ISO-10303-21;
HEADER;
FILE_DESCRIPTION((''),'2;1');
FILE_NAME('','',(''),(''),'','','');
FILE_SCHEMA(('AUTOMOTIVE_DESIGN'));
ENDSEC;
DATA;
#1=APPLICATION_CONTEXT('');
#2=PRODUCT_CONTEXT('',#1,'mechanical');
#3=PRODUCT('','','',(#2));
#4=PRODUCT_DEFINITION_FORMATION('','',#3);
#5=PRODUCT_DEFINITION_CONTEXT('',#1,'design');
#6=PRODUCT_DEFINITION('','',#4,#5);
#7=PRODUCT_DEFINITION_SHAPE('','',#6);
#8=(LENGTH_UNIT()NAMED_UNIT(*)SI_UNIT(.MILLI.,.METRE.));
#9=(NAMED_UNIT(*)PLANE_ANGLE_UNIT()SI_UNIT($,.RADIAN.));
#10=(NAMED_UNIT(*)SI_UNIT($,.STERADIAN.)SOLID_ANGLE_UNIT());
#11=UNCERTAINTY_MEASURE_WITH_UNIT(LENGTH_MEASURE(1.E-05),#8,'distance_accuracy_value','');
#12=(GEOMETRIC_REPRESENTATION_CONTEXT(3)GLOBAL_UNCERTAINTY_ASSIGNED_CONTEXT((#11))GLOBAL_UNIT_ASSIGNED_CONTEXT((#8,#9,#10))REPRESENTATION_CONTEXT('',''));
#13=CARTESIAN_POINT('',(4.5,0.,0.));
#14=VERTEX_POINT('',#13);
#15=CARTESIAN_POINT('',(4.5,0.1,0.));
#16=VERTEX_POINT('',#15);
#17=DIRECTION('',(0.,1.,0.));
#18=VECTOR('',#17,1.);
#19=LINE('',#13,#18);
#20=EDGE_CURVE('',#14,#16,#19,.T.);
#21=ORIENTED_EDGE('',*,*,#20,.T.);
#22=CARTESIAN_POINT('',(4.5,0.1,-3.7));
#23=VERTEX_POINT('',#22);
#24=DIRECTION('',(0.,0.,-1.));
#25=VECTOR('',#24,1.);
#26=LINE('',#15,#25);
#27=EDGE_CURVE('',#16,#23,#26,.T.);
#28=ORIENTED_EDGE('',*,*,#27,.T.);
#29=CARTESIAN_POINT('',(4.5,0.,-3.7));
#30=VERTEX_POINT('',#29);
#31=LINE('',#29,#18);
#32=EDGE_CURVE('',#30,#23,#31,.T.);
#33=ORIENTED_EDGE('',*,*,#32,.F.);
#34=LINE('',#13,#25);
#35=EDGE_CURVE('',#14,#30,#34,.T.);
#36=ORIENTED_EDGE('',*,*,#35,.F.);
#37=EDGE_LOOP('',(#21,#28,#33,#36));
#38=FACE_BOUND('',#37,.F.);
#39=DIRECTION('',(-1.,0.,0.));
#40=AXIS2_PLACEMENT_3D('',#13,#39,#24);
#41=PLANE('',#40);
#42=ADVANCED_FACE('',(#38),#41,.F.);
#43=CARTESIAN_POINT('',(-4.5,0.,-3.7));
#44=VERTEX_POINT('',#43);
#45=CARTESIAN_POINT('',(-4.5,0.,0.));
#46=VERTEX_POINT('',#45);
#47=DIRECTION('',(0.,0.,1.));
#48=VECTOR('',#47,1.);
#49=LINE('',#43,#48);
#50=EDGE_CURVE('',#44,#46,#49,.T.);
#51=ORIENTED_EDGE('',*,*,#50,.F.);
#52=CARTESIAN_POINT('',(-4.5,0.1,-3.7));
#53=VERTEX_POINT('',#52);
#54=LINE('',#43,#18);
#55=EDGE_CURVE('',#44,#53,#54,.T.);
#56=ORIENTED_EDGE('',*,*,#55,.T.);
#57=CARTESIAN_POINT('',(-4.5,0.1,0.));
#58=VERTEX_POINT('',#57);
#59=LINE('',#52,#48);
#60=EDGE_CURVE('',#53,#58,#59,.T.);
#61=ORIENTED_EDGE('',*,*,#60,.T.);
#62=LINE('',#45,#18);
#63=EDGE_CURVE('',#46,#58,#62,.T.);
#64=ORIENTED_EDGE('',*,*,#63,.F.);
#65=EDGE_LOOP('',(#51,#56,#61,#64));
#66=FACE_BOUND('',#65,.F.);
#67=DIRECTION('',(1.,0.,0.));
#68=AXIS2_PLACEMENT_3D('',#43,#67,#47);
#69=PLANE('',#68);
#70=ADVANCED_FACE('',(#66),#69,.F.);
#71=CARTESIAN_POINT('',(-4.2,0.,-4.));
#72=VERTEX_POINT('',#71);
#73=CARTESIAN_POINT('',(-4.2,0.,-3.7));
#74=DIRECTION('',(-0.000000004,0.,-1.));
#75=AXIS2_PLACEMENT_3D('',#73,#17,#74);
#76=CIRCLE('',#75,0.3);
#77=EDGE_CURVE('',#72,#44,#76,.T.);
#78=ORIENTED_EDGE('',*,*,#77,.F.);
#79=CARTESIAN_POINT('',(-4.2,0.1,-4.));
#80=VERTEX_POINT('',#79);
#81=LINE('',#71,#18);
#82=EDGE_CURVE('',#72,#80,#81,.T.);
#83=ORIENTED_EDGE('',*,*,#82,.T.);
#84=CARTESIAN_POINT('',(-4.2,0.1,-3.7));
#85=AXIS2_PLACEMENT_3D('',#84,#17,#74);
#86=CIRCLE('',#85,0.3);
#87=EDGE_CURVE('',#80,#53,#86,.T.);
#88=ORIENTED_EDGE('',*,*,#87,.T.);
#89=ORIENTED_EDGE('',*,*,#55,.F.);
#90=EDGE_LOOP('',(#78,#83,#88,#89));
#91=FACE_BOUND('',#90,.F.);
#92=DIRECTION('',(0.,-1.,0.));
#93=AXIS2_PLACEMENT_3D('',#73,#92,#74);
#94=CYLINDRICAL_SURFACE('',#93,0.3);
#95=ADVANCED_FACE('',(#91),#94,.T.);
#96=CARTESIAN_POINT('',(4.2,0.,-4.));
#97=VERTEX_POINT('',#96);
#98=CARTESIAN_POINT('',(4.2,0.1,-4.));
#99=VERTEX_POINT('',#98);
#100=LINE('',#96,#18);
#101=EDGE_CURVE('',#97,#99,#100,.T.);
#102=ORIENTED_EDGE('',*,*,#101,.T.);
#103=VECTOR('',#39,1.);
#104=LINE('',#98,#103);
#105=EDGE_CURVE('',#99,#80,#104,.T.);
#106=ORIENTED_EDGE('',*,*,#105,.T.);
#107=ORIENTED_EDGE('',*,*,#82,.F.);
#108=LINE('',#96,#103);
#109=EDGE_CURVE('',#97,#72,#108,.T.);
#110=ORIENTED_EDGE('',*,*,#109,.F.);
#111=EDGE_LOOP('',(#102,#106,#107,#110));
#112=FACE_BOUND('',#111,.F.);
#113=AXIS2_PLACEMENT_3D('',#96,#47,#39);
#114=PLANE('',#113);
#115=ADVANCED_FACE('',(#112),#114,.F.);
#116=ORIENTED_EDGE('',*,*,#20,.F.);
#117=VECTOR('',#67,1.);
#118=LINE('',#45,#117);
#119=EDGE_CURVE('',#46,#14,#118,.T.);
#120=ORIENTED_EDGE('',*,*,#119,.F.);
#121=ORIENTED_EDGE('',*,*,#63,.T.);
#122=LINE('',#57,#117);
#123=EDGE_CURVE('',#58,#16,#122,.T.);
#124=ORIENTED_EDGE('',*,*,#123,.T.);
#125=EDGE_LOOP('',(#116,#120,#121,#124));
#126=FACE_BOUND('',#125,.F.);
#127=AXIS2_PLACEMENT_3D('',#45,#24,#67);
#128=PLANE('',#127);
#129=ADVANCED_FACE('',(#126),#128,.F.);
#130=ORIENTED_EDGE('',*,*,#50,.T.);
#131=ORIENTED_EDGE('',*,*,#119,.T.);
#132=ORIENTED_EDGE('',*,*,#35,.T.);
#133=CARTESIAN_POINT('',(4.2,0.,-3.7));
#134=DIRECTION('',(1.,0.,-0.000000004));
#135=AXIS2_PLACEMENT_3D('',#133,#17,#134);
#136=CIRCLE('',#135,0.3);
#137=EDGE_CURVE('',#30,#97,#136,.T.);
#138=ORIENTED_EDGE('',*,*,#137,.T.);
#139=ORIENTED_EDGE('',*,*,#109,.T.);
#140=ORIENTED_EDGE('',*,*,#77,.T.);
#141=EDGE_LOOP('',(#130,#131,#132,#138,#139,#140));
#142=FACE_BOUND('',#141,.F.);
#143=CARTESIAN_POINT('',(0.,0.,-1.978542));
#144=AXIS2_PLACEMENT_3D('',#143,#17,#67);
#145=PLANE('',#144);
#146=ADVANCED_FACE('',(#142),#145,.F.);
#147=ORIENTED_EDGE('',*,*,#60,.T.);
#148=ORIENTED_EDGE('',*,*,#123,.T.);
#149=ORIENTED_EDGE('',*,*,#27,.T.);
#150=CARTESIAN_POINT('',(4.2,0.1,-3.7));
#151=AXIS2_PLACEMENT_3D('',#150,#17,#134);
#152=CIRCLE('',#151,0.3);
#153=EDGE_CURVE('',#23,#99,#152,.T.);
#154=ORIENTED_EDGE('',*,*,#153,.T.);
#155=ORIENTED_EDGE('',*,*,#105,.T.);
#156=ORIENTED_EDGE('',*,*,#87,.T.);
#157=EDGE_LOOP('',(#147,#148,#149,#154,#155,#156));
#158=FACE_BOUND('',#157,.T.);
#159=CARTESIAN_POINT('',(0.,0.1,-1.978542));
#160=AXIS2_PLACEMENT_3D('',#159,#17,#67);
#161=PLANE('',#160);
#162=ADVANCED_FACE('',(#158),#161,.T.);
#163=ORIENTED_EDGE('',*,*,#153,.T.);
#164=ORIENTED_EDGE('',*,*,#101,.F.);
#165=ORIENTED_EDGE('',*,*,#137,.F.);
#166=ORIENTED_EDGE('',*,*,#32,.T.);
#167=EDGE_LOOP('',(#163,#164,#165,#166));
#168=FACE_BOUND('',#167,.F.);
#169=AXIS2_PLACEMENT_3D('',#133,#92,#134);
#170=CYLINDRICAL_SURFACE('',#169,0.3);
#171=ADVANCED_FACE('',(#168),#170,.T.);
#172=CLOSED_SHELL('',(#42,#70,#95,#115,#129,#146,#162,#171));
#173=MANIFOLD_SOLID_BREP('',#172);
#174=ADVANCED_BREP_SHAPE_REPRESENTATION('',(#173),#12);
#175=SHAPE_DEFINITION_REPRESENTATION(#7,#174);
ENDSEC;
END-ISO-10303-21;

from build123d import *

# Parameters (mm, degrees)
BOSS_EXTRUDE1_DEPTH = 0.1


with BuildPart() as part:
    # Sketch1 → Boss-Extrude1 (new body)
    with BuildSketch(Plane(origin=(0, 0, 0), x_dir=(1, 0, 0), z_dir=(0, 1, 0))):
        with BuildLine():
            Line((0, 0), (4.5, 0))
            Line((4.5, 0), (4.5, 3.7))
            ThreePointArc((4.5, 3.7), (4.412132034, 3.912132034), (4.2, 4))
            Line((4.2, 4), (-4.2, 4))
            ThreePointArc((-4.2, 4), (-4.412132034, 3.912132034), (-4.5, 3.7))
            Line((-4.5, 3.7), (-4.5, 0))
            Line((-4.5, 0), (0, 0))
        make_face()
    extrude(amount=BOSS_EXTRUDE1_DEPTH)


solid = part.part
